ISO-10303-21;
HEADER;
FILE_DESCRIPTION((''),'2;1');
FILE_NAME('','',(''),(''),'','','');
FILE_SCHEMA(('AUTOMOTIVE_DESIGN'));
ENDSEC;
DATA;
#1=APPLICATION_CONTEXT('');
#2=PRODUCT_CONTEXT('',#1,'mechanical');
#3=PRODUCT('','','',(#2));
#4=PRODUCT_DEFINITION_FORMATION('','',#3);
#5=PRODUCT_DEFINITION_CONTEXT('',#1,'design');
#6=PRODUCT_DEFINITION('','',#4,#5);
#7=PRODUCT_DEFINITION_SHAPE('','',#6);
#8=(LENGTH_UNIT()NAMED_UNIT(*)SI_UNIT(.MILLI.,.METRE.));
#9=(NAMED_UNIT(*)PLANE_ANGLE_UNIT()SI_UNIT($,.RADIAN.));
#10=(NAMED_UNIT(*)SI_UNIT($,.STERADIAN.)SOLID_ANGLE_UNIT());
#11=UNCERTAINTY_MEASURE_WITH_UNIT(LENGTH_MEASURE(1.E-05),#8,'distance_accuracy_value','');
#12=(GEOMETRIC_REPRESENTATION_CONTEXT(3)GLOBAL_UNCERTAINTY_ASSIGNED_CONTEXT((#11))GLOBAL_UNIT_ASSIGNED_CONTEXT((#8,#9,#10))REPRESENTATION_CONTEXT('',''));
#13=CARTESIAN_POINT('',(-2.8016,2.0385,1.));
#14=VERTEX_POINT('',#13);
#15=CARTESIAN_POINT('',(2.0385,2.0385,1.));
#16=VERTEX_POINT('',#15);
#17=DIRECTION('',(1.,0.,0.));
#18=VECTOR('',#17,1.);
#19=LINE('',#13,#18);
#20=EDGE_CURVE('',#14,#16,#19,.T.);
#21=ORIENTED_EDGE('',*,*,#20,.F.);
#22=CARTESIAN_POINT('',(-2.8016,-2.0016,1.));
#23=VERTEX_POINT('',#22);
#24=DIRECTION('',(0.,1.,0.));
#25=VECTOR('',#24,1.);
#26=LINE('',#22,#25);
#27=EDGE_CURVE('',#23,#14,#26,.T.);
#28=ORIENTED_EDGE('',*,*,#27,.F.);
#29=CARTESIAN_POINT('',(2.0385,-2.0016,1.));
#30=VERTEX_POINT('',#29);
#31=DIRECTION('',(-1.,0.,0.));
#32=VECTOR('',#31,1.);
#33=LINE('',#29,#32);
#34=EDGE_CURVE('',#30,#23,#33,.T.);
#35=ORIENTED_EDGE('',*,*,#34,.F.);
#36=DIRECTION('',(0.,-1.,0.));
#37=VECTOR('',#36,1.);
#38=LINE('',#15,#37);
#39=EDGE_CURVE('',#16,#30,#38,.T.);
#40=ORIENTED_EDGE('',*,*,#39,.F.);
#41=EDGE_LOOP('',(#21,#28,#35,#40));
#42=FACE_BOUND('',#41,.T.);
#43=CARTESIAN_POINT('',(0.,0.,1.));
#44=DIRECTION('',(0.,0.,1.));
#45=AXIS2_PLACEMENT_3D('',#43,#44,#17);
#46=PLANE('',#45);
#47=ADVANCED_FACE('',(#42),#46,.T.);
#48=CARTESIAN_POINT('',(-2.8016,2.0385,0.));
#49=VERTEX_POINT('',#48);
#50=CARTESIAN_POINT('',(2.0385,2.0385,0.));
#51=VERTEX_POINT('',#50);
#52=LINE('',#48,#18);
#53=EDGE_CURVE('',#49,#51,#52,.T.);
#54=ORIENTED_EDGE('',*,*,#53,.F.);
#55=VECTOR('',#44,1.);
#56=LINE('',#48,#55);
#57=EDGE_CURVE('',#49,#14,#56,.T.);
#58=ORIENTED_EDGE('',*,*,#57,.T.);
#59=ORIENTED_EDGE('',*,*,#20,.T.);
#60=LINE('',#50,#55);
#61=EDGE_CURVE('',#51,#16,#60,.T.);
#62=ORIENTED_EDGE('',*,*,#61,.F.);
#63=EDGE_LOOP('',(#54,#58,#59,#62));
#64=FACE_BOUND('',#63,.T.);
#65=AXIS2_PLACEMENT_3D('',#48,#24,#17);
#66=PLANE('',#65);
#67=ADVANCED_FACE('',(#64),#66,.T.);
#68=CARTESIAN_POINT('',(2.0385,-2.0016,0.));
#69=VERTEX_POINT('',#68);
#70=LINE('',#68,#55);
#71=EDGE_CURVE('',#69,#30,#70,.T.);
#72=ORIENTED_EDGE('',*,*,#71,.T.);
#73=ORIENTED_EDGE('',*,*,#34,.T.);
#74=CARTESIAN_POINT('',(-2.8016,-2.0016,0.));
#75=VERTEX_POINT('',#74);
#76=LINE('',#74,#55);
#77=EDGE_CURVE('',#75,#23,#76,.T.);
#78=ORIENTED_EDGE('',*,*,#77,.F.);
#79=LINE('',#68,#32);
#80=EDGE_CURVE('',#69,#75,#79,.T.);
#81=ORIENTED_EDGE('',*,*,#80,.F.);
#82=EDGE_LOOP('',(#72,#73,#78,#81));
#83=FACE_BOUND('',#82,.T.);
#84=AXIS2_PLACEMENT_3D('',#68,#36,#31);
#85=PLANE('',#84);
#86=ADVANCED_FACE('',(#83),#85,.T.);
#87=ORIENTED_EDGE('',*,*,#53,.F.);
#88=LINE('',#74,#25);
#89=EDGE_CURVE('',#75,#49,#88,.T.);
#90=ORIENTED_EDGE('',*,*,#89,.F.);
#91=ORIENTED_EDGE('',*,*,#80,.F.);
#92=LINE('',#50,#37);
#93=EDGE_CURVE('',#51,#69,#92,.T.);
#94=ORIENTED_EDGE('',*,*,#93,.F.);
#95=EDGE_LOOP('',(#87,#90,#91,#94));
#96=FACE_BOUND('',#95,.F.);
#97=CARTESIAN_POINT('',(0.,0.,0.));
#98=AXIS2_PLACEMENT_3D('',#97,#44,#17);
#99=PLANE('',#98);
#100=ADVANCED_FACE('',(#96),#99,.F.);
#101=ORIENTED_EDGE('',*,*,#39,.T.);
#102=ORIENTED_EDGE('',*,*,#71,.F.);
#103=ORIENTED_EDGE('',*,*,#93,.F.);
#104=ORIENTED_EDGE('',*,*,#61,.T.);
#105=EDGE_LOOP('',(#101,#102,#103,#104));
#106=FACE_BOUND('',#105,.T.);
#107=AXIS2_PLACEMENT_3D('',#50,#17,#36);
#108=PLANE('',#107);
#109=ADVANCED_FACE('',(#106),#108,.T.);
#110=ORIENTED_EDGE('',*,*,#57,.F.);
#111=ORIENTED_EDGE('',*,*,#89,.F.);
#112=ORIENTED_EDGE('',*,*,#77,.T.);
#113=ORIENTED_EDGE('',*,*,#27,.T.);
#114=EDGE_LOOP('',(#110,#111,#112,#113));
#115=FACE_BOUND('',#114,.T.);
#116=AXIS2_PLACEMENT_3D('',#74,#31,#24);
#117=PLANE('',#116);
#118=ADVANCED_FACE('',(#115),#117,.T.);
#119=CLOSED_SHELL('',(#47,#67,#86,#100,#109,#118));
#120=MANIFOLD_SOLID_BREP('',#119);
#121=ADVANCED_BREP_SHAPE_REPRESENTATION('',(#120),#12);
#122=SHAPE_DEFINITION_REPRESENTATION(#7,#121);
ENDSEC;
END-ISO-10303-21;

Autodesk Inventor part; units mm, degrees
ref_plane "YZ Plane" through (0, 0, 0) normal (1, 0, 0) x (0, 1, 0)
ref_plane "XZ Plane" through (0, 0, 0) normal (0, 1, 0) x (-1, 0, 0)
ref_plane "XY Plane" through (0, 0, 0) normal (0, 0, 1) x (1, 0, 0)
sketch "TSOP572, TSOP57238TT1_78" plane through (0, 0, 0) normal (0, 0, 1) x (1, 0, 0)
  line L0 (-2.8016, 2.0385) -> (2.0385, 2.0385)
  line L1 (2.0385, 2.0385) -> (2.0385, -2.0016)
  line L2 (2.0385, -2.0016) -> (-2.8016, -2.0016)
  line L3 (-2.8016, -2.0016) -> (-2.8016, 2.0385)
extrude "Extrusion1" add sketch "TSOP572, TSOP57238TT1_78" along normal blind 1
properties part number "TSOP57238TT1"
